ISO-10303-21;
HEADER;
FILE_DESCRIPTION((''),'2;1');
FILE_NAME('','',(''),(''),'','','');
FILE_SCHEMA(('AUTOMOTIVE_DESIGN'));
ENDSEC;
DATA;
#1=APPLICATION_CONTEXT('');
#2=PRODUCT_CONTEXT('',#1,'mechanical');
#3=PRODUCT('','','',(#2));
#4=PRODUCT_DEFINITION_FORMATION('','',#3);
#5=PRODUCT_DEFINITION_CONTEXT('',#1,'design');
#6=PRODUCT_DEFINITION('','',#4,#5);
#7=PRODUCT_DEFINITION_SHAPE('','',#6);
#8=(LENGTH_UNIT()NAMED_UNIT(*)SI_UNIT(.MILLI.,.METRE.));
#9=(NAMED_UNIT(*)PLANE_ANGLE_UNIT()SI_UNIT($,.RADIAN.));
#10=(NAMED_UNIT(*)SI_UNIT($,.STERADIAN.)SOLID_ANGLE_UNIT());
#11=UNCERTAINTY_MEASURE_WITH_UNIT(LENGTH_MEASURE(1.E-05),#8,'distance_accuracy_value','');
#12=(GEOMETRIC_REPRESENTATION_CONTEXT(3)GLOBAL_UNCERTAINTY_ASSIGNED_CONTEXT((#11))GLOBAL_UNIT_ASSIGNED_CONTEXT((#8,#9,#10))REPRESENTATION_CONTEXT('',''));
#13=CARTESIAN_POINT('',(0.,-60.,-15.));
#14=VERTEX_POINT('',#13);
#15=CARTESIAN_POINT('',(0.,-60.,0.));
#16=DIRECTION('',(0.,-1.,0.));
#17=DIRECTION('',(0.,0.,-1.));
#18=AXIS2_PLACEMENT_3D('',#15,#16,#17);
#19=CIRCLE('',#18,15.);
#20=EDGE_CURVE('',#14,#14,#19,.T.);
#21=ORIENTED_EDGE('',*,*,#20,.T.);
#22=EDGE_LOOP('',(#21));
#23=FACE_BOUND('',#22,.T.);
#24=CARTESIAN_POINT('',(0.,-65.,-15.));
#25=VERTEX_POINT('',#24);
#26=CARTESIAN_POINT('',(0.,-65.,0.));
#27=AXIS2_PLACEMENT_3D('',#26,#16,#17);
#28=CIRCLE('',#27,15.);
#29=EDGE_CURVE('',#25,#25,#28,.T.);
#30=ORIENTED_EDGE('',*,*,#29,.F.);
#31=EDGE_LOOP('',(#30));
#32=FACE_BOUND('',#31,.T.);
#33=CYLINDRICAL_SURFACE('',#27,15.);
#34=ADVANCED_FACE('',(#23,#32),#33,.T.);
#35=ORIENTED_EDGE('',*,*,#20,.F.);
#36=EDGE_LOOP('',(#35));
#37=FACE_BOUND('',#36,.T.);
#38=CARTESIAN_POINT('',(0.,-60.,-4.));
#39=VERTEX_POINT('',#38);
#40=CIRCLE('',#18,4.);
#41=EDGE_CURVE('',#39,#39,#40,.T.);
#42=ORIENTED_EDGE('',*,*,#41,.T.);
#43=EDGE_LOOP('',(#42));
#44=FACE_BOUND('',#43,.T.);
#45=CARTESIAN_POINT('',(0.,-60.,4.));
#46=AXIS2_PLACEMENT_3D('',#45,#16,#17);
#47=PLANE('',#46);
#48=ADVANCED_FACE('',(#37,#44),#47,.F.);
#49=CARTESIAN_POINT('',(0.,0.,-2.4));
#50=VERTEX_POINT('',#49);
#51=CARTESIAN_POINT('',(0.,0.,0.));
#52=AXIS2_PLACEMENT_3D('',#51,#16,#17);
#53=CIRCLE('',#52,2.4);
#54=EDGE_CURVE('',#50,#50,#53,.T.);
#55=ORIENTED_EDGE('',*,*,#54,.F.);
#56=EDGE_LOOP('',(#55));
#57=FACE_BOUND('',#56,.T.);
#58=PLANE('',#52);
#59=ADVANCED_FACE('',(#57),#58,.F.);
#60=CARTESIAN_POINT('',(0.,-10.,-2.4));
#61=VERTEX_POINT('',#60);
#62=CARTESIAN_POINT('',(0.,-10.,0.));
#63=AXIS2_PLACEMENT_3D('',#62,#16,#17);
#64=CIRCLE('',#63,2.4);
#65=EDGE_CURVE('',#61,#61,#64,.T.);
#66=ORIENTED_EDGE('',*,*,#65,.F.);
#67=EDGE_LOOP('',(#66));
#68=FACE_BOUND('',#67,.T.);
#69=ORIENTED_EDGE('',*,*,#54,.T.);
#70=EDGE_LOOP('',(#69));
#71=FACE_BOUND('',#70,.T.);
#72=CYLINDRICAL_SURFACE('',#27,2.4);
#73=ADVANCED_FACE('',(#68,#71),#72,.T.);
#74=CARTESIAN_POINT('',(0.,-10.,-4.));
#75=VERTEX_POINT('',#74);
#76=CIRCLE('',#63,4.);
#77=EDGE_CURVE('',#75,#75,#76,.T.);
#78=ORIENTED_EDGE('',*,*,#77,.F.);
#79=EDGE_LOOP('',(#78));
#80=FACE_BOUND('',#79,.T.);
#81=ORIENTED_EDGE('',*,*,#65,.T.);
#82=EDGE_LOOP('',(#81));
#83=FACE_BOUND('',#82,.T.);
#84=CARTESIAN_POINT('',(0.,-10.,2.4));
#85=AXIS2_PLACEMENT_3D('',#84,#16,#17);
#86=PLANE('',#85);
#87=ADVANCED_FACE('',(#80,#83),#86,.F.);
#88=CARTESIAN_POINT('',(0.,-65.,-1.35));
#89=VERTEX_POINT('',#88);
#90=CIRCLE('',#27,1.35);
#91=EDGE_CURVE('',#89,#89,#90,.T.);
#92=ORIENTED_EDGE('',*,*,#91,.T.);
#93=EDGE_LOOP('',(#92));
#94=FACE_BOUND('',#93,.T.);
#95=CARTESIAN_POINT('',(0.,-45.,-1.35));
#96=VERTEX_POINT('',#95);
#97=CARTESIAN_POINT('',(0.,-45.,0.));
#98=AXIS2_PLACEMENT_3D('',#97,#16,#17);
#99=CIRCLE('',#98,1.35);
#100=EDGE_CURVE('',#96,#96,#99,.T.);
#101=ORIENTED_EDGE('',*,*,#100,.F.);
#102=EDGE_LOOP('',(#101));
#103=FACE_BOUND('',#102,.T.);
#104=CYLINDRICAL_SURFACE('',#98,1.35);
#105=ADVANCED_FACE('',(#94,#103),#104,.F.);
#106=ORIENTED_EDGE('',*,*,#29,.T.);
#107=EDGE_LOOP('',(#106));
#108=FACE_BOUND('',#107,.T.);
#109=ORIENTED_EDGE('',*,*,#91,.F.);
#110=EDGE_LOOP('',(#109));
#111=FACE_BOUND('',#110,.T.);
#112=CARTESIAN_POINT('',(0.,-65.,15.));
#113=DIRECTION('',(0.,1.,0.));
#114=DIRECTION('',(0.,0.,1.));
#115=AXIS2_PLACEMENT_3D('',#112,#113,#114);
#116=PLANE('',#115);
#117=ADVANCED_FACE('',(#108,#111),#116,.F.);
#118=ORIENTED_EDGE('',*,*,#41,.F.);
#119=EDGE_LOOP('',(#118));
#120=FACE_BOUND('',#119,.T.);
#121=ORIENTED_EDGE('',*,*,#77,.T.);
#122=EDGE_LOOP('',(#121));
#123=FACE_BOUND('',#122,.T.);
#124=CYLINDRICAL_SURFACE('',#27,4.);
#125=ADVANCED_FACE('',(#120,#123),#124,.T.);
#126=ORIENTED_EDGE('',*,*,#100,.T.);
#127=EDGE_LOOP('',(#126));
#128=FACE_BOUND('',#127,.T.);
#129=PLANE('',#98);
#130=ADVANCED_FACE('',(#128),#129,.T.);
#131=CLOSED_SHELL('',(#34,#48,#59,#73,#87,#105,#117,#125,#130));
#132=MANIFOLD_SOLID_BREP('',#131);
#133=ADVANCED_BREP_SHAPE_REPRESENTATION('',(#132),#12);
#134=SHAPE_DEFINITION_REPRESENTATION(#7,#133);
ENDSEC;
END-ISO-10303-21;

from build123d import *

# Parameters (mm, degrees)
CROQUIS2_R            = 1.35
CORTAR_EXTRUIR1_DEPTH = 20


with BuildPart() as part:
    # Croquis1 → Revolución1 (revolve)
    with BuildSketch(Plane(origin=(0, 0, 0), x_dir=(0, 0, -1), z_dir=(1, 0, 0)), mode=Mode.PRIVATE) as revoluci_n1_sk:
        Polygon((0, 0), (-2.4, 0), (-2.4, -10), (-4, -10), (-4, -60), (-15, -60), (-15, -65), (0, -65), align=None)
    revolve(revoluci_n1_sk.sketch.rotate(Axis((0, -65, 0), (0, 1, 0)), 180), axis=Axis((0, -65, 0), (0, 1, 0)))

    # Croquis2 → Cortar-Extruir1 (cut)
    with BuildSketch(Plane.XZ.offset(65)):
        with Locations(Location((0, 0, 0), (0, 0, 270))):
            Circle(CROQUIS2_R)
    extrude(amount=-CORTAR_EXTRUIR1_DEPTH, mode=Mode.SUBTRACT)


solid = part.part
